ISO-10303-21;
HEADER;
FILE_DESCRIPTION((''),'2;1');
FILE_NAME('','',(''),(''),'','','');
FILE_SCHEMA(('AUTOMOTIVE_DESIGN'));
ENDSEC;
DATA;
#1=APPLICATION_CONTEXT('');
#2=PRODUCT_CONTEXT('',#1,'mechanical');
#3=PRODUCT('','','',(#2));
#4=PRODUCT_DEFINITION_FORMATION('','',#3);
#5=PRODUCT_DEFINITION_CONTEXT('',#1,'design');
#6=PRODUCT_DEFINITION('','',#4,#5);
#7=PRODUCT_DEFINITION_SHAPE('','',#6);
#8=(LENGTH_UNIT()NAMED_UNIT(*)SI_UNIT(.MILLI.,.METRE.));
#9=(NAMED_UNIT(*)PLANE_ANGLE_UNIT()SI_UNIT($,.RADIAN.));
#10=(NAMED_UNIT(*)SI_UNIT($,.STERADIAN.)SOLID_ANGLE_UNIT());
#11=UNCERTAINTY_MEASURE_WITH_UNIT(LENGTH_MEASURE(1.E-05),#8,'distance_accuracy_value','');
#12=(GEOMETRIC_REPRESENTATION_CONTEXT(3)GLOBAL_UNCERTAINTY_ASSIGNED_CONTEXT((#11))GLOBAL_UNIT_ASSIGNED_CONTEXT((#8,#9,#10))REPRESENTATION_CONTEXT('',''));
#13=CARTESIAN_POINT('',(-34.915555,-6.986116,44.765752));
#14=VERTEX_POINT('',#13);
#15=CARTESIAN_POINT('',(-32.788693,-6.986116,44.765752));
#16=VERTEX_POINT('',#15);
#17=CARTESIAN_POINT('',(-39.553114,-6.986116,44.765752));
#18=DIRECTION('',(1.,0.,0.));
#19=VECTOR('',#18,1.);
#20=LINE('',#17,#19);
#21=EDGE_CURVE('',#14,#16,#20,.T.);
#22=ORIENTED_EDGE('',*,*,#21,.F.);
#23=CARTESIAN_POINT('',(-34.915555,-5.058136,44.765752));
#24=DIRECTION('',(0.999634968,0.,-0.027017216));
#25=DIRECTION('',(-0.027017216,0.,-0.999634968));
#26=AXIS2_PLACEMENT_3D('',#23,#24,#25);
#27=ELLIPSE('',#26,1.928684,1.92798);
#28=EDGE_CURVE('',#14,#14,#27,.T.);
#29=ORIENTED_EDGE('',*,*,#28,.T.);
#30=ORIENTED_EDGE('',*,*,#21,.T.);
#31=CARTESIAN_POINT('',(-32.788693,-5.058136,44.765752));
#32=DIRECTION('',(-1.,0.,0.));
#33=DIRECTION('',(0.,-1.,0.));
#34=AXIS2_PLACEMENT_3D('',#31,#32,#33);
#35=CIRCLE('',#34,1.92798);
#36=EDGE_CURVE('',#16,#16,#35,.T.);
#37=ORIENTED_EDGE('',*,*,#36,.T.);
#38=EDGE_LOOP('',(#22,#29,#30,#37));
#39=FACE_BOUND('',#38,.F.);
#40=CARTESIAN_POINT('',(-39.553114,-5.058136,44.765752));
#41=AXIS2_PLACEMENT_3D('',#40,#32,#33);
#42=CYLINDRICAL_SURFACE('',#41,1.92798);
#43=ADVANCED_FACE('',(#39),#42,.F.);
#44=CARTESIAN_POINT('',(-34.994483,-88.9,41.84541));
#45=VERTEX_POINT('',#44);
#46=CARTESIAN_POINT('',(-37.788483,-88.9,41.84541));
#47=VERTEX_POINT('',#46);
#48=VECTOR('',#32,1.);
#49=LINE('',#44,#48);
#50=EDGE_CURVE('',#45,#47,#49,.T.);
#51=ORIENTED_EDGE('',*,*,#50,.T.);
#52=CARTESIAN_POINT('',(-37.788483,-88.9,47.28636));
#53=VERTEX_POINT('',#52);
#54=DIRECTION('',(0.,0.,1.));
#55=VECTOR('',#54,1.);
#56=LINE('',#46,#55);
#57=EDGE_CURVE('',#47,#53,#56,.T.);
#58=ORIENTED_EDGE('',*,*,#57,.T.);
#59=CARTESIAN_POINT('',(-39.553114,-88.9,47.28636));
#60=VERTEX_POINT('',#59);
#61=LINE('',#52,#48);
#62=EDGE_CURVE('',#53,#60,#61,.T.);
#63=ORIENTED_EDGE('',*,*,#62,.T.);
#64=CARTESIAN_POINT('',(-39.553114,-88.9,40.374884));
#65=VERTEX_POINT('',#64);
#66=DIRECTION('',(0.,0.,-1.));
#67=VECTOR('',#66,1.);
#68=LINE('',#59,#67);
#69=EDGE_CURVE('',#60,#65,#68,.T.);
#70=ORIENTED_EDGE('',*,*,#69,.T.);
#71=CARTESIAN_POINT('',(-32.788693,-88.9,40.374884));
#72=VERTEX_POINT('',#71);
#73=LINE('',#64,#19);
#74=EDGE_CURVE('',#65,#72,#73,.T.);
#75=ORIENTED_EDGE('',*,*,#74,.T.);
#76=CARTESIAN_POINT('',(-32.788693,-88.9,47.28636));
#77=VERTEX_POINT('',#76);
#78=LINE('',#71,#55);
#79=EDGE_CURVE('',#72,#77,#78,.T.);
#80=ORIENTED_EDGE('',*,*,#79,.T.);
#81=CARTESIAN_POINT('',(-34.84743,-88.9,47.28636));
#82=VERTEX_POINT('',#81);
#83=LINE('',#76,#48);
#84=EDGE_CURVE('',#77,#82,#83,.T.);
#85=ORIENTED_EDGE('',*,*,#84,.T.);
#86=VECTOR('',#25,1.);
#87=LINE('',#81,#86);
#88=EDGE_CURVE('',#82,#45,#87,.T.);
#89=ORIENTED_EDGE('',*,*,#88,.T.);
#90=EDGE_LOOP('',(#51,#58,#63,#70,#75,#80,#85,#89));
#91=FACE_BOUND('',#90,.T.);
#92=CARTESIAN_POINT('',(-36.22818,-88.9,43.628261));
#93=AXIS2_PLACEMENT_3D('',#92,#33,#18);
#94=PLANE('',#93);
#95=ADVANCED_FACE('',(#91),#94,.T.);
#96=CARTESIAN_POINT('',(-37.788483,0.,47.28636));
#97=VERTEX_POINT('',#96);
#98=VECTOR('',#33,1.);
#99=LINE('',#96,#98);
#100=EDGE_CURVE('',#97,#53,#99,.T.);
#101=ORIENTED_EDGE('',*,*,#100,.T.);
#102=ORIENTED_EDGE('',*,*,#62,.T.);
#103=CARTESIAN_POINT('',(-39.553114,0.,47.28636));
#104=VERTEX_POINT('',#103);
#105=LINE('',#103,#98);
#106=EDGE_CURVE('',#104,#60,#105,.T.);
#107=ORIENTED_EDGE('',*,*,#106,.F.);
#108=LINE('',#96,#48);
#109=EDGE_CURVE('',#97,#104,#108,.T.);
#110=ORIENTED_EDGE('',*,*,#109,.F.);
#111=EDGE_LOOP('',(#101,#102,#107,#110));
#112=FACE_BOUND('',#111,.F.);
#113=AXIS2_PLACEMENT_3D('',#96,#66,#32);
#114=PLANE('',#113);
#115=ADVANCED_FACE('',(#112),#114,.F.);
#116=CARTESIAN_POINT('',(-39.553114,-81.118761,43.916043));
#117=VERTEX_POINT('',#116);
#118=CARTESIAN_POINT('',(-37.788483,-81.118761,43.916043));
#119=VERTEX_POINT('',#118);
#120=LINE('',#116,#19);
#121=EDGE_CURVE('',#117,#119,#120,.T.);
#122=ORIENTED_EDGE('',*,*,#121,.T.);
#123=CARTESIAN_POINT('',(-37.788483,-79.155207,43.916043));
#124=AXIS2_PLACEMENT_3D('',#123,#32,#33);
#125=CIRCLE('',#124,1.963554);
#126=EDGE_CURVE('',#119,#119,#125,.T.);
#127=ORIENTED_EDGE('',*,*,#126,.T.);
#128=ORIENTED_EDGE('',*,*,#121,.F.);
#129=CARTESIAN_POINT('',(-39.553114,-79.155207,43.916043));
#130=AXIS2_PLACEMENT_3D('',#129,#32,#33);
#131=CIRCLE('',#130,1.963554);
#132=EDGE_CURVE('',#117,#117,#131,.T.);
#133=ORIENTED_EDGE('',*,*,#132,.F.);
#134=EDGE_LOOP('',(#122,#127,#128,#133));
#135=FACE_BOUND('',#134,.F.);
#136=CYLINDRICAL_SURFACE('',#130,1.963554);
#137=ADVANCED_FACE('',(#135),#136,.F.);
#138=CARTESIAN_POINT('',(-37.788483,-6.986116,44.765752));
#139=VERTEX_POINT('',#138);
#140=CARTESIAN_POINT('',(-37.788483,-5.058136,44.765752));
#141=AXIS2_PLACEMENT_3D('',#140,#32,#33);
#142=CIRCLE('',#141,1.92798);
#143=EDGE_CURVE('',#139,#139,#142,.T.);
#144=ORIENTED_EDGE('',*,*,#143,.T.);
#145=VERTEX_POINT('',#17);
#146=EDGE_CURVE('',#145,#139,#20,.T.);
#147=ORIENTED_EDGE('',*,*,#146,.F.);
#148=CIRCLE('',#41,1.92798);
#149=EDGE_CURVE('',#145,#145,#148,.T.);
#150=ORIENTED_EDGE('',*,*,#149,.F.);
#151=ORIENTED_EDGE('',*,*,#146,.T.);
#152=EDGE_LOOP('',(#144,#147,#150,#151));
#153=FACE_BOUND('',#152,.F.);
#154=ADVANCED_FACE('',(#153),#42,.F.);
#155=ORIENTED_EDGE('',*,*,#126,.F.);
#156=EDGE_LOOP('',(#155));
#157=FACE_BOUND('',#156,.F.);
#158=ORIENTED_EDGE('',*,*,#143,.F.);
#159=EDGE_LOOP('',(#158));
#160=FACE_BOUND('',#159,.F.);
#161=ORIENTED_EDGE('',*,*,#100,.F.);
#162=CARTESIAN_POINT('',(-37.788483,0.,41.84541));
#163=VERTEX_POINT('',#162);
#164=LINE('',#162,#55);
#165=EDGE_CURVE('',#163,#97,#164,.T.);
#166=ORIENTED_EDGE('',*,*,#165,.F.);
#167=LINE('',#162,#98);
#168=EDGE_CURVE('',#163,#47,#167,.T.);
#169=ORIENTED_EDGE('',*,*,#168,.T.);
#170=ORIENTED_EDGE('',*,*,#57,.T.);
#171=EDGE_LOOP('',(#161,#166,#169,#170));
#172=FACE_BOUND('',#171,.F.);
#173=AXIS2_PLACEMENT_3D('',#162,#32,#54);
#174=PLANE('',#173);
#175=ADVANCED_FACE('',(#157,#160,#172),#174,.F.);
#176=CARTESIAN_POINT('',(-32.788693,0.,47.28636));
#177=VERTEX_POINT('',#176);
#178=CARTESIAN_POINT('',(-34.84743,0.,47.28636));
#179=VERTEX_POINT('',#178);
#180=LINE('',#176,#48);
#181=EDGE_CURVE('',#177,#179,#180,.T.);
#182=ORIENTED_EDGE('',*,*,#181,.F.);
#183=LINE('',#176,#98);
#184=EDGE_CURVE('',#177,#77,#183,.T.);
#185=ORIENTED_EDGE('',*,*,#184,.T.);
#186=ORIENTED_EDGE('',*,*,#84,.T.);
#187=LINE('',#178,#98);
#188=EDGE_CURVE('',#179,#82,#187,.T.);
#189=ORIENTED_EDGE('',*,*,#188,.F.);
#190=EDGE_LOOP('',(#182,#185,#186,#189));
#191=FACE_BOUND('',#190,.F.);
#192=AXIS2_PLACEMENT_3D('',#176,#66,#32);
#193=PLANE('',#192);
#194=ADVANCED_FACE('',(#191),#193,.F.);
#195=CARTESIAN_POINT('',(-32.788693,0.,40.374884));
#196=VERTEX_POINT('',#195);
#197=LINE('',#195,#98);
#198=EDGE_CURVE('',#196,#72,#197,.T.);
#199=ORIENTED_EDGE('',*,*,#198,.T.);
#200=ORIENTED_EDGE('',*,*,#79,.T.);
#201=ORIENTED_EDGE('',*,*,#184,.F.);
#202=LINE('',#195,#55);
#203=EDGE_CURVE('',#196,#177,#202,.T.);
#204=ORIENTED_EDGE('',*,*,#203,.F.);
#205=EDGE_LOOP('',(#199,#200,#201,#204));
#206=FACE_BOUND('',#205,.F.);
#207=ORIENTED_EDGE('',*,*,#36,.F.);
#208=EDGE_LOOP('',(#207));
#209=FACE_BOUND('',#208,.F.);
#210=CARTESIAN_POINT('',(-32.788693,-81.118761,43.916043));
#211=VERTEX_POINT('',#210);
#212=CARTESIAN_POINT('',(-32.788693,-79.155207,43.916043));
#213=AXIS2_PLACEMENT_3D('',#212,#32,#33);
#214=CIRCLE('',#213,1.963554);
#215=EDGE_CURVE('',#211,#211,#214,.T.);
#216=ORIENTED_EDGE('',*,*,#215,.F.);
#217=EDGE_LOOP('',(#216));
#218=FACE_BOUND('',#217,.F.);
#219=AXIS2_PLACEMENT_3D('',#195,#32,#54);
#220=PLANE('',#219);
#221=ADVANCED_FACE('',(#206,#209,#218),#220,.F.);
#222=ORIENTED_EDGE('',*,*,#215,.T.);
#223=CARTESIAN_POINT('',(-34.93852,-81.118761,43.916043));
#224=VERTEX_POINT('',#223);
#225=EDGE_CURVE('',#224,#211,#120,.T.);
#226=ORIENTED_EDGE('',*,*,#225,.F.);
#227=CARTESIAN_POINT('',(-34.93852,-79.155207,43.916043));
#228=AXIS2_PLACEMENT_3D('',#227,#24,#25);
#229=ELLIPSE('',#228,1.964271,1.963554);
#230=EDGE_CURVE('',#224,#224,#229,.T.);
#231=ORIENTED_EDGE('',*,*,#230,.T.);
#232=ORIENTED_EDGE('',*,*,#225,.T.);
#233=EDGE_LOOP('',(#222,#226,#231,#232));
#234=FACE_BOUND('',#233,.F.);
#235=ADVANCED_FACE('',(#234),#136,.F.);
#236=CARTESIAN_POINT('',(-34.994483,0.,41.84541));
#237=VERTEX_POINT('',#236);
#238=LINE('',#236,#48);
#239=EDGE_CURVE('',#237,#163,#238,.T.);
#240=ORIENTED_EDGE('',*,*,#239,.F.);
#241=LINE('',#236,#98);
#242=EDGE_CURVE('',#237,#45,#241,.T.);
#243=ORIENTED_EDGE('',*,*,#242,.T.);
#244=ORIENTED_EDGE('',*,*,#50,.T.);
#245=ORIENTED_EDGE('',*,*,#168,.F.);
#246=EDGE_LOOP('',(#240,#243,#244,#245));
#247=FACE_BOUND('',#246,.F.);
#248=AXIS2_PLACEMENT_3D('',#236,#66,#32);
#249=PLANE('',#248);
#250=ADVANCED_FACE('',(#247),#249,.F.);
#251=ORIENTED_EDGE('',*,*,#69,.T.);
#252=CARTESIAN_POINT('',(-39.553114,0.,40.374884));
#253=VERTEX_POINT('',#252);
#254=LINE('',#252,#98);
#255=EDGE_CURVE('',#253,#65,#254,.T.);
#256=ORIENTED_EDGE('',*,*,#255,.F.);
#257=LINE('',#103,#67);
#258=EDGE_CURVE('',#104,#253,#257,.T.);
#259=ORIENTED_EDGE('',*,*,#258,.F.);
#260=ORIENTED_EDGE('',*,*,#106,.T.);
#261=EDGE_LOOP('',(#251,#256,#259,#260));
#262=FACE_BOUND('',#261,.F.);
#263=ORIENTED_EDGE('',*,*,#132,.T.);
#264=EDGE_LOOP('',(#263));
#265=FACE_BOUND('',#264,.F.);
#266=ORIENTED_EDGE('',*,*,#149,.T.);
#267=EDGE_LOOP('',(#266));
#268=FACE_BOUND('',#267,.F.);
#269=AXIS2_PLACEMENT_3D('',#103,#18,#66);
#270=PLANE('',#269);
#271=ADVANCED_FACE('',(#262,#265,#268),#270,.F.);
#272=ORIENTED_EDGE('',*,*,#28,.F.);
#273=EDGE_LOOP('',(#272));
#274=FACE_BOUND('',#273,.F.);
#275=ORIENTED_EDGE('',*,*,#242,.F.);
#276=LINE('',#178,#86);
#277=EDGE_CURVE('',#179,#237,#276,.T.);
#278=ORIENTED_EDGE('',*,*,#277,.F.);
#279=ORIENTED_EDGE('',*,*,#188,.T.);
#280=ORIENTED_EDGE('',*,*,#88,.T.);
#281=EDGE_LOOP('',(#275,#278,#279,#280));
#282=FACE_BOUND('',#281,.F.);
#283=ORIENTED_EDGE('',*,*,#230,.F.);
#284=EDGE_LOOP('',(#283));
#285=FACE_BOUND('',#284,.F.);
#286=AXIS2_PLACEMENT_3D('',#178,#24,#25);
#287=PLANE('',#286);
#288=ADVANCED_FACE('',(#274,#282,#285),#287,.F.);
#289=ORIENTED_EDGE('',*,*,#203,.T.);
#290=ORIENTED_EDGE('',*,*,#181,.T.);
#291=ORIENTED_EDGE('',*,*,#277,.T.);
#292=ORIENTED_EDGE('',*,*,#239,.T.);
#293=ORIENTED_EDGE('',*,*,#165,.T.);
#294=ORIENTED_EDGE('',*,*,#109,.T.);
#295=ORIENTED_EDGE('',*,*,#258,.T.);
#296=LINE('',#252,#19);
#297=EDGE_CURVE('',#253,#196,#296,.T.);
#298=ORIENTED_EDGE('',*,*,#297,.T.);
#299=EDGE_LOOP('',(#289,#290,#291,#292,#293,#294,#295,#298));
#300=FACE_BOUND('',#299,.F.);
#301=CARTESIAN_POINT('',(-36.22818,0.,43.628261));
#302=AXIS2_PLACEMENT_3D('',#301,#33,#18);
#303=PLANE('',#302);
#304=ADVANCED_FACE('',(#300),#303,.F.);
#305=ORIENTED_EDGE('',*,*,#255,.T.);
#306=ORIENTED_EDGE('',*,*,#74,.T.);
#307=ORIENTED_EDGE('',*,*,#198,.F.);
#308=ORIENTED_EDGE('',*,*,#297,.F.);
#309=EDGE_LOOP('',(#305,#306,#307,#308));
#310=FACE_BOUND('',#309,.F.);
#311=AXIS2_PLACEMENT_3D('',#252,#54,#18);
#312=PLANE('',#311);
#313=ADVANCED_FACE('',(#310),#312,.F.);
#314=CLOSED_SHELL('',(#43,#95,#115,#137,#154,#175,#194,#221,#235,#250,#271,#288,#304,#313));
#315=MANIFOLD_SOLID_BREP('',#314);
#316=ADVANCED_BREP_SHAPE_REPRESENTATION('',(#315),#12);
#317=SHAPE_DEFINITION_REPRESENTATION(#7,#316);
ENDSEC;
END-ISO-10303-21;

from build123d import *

# Parameters (mm, degrees)
F1_DEPTH = 88.9
F2_R     = 1.92798
F3_DEPTH = 25.4
F4_R     = 1.963554
F5_DEPTH = 25.4


with BuildPart() as f1:
    # F0 (on Front) → F1 (new body)
    with BuildSketch(Plane.XZ):
        Polygon((-37.788483, 47.28636), (-39.553114, 47.28636), (-39.553114, 40.374884), (-36.170904, 40.374884), (-32.788693, 40.374884), (-32.788693, 47.28636), (-34.84743, 47.28636), (-34.994483, 41.84541), (-37.788483, 41.84541), align=None)
    extrude(amount=F1_DEPTH)

    # F2 (on face) → F3 (cut)
    with BuildSketch(Plane(origin=(-39.553114, 0, 0), x_dir=(0, -1, 0), z_dir=(-1, 0, 0))):
        with Locations((5.058136, 44.765752)):
            Circle(F2_R)
    extrude(amount=-F3_DEPTH, mode=Mode.SUBTRACT)

    # F4 (on face) → F5 (cut)
    with BuildSketch(Plane(origin=(-39.553114, 0, 0), x_dir=(0, -1, 0), z_dir=(-1, 0, 0))):
        with Locations((79.155207, 43.916043)):
            Circle(F4_R)
    extrude(amount=-F5_DEPTH, mode=Mode.SUBTRACT)


solid = f1.part
